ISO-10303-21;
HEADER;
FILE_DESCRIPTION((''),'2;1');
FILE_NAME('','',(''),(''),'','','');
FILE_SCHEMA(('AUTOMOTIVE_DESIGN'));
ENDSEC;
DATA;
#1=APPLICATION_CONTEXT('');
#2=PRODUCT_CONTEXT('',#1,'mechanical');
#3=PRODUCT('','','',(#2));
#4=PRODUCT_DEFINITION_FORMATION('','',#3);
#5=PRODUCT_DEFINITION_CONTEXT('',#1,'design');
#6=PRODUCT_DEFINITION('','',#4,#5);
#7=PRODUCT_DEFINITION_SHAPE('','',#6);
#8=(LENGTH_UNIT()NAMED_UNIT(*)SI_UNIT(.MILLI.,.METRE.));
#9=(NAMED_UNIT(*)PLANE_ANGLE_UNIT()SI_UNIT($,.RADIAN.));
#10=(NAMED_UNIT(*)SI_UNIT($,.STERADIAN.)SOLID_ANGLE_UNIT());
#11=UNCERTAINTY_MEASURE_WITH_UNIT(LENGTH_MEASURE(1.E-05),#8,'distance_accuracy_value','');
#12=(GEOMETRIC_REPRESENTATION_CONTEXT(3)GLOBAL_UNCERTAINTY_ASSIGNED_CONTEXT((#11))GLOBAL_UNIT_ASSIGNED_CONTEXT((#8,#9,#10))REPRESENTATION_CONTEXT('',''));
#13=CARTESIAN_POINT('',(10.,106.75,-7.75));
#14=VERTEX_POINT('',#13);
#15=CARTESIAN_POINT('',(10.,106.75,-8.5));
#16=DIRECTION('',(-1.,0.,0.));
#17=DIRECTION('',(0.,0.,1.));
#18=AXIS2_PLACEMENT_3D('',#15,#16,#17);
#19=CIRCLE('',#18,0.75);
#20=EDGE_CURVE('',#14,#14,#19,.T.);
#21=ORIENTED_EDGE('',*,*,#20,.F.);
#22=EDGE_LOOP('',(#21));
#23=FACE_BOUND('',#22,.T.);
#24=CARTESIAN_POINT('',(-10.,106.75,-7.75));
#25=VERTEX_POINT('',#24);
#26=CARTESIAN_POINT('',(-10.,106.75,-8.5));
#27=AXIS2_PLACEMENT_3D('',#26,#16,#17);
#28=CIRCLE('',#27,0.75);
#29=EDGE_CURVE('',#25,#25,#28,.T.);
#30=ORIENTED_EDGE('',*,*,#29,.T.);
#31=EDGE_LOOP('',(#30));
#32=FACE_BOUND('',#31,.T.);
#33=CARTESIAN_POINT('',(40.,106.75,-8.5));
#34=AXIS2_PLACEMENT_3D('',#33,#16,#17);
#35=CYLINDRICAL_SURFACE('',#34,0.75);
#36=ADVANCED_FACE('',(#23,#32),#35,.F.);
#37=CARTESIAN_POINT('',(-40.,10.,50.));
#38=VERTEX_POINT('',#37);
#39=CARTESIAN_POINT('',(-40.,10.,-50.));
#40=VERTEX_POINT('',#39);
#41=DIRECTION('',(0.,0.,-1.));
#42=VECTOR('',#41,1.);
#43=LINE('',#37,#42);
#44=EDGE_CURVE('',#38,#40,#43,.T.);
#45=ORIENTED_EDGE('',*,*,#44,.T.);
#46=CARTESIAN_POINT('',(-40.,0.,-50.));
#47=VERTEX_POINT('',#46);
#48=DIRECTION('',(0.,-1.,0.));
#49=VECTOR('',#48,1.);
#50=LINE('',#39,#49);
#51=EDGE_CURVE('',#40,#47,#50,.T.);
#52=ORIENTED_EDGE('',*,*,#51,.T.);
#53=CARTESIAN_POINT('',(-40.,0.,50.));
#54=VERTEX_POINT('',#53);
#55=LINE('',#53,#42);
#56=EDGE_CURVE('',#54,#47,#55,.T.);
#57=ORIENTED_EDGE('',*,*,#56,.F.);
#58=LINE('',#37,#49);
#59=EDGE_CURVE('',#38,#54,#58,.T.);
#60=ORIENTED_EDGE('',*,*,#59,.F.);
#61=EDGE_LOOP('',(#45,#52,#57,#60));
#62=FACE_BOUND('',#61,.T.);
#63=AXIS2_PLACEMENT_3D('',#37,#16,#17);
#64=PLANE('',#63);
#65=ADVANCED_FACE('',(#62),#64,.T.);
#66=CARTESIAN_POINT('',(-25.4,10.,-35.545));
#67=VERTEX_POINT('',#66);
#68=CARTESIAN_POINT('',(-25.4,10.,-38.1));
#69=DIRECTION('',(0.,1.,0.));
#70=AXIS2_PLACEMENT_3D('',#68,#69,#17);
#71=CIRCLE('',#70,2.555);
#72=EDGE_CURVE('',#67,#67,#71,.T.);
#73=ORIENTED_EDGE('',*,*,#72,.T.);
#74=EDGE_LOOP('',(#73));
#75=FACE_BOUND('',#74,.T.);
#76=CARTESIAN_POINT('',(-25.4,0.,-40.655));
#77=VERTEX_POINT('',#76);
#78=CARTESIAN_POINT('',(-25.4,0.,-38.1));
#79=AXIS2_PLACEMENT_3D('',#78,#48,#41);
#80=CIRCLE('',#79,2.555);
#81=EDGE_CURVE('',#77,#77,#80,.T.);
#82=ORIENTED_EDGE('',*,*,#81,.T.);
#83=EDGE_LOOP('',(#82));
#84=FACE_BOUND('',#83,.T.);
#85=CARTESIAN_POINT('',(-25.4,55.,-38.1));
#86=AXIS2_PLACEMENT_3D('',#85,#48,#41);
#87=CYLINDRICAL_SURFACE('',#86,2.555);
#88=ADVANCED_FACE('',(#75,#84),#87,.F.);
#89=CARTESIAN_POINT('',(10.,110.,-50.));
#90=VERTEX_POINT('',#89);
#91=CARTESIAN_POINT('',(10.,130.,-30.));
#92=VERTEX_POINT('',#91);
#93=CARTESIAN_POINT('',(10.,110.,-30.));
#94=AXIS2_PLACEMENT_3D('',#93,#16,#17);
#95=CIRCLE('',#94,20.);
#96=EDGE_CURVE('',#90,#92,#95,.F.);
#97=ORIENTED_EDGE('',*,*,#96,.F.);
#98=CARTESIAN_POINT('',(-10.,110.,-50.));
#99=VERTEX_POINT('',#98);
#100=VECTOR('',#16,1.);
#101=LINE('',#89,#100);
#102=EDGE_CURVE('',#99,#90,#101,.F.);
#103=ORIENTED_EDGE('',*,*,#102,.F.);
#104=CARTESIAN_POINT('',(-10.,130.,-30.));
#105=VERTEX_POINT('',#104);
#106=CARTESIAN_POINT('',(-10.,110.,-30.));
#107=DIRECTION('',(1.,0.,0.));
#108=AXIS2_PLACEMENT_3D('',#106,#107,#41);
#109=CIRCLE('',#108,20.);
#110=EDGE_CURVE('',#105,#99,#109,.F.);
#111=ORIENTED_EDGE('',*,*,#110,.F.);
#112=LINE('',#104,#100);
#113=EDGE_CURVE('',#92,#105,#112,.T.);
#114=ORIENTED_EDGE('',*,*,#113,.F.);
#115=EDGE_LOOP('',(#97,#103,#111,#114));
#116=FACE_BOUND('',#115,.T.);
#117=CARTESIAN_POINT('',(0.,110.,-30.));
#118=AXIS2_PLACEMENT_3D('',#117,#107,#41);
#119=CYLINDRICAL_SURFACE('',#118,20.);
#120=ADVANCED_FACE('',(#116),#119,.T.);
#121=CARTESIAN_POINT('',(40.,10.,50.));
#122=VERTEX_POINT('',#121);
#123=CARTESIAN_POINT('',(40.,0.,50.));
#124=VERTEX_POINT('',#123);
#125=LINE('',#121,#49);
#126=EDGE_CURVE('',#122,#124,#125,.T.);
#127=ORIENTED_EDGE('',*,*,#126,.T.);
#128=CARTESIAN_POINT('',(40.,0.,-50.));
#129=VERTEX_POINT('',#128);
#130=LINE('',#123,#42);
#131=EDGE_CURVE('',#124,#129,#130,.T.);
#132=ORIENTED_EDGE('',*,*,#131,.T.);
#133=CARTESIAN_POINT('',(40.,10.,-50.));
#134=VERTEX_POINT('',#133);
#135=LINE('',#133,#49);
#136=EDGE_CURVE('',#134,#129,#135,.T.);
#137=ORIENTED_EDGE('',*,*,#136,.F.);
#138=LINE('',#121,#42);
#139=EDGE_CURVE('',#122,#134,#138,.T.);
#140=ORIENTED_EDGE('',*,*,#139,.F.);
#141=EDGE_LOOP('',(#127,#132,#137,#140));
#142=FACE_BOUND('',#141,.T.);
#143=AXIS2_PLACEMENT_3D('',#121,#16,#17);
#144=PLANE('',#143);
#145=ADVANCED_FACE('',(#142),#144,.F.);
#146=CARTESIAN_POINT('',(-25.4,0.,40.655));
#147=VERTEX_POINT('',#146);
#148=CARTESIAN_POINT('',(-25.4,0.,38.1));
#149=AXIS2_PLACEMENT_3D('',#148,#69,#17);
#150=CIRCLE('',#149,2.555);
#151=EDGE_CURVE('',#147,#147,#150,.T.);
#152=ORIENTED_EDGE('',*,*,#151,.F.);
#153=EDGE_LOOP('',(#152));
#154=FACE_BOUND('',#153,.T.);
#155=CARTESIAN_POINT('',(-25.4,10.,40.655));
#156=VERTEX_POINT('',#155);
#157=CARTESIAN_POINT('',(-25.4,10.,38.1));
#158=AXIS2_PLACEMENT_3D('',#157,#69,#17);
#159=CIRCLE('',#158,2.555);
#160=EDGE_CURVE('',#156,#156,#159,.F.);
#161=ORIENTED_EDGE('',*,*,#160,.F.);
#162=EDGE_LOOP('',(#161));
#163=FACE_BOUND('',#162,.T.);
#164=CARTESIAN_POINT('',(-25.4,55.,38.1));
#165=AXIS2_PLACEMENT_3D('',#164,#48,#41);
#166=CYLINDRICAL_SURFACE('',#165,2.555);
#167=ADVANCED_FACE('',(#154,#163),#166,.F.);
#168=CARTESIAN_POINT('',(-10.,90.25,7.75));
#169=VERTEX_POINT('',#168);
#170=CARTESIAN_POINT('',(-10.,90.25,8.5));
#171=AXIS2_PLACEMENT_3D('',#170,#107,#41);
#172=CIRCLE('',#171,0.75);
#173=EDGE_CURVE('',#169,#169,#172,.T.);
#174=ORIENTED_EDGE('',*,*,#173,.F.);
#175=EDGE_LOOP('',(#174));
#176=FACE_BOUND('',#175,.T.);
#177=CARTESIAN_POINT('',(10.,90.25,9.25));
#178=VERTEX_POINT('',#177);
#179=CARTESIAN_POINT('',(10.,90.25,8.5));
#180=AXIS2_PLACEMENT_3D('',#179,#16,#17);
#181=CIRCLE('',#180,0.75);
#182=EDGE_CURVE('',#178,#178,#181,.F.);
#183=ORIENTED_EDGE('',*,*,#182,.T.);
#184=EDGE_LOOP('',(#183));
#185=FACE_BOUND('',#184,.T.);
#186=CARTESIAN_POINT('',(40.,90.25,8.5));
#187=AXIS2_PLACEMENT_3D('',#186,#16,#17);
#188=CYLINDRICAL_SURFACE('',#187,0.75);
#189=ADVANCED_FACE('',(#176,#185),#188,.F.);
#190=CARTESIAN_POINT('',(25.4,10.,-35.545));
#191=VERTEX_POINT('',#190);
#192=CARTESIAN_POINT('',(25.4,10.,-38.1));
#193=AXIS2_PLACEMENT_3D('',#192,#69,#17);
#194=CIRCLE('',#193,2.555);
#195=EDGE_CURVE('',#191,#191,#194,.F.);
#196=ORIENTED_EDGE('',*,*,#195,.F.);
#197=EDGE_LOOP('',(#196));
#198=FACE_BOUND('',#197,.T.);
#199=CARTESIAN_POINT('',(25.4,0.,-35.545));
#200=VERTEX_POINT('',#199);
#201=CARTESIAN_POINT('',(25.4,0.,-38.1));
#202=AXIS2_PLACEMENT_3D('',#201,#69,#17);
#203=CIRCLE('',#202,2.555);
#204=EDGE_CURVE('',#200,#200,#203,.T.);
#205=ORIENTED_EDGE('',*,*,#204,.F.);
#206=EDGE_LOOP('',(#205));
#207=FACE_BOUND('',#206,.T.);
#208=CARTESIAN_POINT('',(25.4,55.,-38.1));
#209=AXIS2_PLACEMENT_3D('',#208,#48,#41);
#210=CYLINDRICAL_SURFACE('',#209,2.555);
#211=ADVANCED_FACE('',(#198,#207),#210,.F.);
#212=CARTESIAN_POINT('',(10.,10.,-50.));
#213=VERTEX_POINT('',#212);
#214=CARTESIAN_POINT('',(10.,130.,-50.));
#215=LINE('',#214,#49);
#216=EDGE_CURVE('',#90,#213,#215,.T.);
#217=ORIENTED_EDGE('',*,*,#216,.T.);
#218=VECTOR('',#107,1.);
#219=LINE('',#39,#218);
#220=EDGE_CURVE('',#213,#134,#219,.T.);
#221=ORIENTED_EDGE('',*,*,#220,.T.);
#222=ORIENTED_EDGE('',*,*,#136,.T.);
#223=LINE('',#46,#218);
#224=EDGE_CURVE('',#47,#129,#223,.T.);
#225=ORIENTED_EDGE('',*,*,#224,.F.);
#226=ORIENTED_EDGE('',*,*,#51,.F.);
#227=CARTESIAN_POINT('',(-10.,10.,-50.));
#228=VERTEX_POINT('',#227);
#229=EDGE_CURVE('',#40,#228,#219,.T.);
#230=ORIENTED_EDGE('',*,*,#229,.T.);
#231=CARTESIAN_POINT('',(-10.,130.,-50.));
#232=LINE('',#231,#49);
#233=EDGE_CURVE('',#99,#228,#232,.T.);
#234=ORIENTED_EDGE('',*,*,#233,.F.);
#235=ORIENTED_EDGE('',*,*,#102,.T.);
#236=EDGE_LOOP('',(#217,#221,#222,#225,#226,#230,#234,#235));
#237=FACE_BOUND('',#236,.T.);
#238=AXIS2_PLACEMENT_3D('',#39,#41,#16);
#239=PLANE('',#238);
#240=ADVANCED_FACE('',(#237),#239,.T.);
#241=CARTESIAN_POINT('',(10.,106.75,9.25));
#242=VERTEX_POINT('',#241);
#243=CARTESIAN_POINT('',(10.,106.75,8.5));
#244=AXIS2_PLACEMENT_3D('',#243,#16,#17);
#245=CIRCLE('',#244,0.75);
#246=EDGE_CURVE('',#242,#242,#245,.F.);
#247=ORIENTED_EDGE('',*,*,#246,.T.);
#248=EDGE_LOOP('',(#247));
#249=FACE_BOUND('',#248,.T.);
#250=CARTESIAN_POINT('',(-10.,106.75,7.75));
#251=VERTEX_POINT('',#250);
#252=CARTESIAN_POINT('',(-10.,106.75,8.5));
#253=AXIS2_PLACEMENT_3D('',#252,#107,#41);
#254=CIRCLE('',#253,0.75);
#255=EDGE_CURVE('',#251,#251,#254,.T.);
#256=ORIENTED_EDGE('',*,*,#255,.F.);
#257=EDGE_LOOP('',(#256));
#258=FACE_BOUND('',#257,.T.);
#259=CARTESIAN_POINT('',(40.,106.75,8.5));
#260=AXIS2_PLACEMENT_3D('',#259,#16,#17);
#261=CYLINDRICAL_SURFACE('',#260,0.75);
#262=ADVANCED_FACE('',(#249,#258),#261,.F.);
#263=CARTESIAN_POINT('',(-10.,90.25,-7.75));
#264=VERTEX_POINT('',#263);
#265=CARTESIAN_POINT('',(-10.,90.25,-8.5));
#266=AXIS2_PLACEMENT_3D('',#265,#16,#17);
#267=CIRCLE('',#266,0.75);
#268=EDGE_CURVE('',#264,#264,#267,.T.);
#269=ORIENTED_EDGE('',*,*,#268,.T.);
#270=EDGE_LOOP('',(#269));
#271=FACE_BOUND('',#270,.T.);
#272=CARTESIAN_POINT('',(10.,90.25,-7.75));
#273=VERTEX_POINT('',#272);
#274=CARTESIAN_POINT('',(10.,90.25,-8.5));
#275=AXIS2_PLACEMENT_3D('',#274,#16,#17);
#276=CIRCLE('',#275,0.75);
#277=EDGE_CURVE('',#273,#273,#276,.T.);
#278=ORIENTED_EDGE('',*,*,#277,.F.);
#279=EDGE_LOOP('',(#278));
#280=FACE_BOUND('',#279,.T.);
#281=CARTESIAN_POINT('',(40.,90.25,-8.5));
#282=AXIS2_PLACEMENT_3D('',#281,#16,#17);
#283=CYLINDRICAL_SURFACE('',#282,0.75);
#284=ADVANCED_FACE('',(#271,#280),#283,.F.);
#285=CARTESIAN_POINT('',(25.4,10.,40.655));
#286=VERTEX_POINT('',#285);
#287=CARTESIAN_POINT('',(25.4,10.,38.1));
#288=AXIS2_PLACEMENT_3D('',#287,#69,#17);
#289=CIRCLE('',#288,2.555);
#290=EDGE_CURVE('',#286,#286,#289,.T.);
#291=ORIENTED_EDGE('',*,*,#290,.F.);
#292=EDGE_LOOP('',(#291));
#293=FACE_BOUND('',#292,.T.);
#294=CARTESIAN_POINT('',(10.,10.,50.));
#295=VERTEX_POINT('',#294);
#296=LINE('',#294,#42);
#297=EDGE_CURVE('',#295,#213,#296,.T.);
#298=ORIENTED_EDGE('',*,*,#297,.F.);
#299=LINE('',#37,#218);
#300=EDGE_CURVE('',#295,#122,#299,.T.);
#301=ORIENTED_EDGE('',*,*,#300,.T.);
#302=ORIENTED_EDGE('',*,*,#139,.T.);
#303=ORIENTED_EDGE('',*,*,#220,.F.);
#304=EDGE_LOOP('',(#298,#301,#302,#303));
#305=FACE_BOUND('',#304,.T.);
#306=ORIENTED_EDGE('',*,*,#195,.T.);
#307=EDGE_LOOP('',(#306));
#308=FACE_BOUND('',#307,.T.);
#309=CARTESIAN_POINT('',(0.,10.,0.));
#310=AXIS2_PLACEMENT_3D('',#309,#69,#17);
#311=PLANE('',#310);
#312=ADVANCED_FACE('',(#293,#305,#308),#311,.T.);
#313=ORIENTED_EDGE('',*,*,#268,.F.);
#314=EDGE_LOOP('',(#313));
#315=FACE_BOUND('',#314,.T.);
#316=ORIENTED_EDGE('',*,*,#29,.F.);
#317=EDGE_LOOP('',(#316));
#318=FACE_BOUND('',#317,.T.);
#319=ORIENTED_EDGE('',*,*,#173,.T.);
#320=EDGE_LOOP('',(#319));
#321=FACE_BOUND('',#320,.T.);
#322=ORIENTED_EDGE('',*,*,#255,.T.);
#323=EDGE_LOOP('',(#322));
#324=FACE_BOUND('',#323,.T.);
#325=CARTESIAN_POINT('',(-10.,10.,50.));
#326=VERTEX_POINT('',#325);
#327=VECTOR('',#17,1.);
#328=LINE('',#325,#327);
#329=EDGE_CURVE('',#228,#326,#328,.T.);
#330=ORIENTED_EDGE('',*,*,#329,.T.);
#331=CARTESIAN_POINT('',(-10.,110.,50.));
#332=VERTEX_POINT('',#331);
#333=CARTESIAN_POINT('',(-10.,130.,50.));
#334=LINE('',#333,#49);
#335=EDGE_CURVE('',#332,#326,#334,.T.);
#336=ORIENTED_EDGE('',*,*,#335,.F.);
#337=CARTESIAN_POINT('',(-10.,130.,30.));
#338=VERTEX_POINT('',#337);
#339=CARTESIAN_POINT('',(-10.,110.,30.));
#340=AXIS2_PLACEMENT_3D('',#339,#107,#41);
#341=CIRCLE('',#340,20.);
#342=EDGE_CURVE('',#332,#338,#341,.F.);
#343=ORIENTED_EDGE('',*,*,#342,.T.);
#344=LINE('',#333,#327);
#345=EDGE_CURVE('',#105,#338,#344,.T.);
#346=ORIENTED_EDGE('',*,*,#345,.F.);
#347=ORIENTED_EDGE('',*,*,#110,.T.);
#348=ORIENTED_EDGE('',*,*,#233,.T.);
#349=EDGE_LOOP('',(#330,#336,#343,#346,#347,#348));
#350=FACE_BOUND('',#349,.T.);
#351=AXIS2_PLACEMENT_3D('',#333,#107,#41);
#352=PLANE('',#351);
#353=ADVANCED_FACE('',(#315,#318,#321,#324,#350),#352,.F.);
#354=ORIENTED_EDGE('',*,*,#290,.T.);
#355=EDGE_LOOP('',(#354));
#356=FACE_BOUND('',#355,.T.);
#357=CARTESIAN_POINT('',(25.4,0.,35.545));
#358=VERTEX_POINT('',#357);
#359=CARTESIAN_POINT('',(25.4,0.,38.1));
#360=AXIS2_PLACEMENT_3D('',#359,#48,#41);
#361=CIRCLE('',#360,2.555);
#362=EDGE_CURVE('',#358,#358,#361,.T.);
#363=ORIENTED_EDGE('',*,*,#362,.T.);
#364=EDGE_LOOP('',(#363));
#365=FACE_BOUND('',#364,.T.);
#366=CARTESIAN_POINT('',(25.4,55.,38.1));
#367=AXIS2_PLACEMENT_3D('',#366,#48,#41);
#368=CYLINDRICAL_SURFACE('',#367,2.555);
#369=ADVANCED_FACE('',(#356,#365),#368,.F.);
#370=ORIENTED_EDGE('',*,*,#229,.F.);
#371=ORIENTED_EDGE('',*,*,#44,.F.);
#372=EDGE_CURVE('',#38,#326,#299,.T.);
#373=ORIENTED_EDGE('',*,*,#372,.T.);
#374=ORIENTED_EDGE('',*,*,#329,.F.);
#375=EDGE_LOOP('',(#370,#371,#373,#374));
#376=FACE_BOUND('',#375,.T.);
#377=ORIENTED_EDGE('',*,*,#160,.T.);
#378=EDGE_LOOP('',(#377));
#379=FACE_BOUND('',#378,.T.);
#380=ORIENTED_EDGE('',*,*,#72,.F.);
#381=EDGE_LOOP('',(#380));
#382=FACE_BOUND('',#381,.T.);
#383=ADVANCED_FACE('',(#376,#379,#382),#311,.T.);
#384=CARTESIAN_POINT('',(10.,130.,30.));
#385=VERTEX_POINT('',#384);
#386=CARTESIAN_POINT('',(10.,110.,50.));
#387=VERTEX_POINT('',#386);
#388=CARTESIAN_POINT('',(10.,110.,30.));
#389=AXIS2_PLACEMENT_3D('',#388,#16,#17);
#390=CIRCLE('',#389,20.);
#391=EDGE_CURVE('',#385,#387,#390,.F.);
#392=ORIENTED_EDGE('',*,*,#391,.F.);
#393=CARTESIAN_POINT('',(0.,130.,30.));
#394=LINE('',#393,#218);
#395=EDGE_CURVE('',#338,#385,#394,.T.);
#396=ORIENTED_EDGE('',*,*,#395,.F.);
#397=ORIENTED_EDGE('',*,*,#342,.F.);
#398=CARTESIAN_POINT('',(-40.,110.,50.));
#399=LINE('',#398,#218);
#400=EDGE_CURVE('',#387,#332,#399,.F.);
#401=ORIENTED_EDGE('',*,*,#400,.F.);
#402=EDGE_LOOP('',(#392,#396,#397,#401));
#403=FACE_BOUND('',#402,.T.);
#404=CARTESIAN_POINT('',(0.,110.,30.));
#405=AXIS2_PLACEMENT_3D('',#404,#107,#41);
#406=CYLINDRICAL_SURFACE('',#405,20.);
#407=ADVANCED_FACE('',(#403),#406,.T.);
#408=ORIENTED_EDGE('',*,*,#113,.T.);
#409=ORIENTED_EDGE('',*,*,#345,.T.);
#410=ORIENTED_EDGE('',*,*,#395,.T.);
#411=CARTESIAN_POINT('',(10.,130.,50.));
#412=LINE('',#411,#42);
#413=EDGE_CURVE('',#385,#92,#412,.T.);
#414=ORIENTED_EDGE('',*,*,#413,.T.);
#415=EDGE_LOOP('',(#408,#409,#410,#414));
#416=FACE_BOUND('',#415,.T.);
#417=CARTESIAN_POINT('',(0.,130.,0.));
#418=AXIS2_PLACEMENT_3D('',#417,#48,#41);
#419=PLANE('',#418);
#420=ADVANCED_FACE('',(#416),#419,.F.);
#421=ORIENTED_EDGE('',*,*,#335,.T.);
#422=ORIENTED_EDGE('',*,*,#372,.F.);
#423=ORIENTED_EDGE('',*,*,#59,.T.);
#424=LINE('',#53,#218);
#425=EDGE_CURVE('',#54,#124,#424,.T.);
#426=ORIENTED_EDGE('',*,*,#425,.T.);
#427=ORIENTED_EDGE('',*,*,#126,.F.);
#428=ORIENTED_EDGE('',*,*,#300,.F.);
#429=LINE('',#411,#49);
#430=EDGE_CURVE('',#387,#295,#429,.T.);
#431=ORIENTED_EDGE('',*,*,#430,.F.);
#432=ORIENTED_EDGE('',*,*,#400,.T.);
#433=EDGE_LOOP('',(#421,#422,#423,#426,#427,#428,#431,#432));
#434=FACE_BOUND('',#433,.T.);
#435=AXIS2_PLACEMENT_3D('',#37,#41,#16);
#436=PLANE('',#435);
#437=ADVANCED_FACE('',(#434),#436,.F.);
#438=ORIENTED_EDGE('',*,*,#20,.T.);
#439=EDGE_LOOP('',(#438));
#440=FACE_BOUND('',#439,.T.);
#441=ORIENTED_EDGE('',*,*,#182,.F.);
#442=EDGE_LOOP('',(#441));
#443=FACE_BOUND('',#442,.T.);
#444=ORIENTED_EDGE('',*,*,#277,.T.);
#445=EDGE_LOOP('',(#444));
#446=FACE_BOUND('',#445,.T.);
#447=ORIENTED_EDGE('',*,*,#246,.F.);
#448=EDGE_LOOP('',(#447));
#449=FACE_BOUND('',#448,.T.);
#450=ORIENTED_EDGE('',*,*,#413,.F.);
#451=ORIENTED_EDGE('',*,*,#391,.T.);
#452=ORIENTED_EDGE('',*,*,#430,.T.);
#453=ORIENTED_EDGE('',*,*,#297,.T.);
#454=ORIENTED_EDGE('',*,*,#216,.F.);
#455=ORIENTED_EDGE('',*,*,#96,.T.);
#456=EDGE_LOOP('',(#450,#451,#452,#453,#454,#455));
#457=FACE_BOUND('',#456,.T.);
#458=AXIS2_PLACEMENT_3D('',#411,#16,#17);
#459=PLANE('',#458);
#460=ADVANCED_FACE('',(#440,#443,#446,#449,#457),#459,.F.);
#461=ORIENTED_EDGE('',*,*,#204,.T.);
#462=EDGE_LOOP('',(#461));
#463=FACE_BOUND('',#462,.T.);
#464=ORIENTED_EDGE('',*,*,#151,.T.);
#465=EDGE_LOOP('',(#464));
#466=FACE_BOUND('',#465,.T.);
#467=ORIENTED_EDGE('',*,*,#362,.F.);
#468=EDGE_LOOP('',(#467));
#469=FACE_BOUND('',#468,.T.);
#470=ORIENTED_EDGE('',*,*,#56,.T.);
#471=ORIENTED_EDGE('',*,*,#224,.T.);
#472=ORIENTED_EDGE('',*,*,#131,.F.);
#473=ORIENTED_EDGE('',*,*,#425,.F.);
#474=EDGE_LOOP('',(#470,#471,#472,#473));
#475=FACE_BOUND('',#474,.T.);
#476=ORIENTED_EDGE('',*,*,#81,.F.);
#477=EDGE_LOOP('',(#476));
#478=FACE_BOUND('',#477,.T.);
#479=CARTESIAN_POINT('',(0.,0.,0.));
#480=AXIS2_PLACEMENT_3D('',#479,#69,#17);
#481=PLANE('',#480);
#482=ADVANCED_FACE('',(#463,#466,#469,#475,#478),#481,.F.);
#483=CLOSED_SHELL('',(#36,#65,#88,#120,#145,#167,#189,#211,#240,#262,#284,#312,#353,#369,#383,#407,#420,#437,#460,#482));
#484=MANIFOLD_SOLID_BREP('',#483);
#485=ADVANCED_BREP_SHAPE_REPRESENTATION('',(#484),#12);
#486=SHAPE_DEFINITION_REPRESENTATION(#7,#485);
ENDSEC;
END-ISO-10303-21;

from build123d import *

# Parameters (mm, degrees)
SKETCH2_W           = 80
SKETCH2_H           = 100
BOSS_EXTRUDE1_DEPTH = 10
SKETCH3_W           = 20
SKETCH3_H           = 100
BOSS_EXTRUDE2_DEPTH = 120
SKETCH5_R           = 2.555
CUT_EXTRUDE2_DEPTH  = 55
FILLET2_R           = 20
SKETCH4_R           = 0.75
CUT_EXTRUDE3_DEPTH  = 51


with BuildPart() as part:
    # Sketch2 → Boss-Extrude1 (new body)
    with BuildSketch(Plane(origin=(0, 0, 0), x_dir=(1, 0, 0), z_dir=(0, 1, 0))):
        Rectangle(SKETCH2_W, SKETCH2_H)
    extrude(amount=BOSS_EXTRUDE1_DEPTH)

    # Sketch3 → Boss-Extrude2 (add)
    with BuildSketch(Plane(origin=(0, 10, 0), x_dir=(1, 0, 0), z_dir=(0, 1, 0))):
        Rectangle(SKETCH3_W, SKETCH3_H)
    extrude(amount=BOSS_EXTRUDE2_DEPTH)

    # Sketch5 → Cut-Extrude2 (cut)
    with BuildSketch(Plane.XZ):
        with Locations((-25.4, -38.1)):
            Circle(SKETCH5_R)
        with Locations((25.4, -38.1)):
            Circle(SKETCH5_R)
        with Locations((-25.4, 38.1)):
            Circle(SKETCH5_R)
        with Locations((25.4, 38.1)):
            Circle(SKETCH5_R)
    extrude(amount=-CUT_EXTRUDE2_DEPTH, mode=Mode.SUBTRACT)

    # Fillet2
    fillet2_edges = [part.edges().sort_by_distance(p)[0] for p in [
        (0, 130, -50),
        (0, 130, 50),
    ]]
    fillet(fillet2_edges, radius=FILLET2_R)

    # Sketch4 → Cut-Extrude3 (cut, through all)
    with BuildSketch(Plane.ZY.offset(10)):
        with Locations((-8.5, 106.75)):
            Circle(SKETCH4_R)
        with Locations((-8.5, 90.25)):
            Circle(SKETCH4_R)
        with Locations((8.5, 90.25)):
            Circle(SKETCH4_R)
        with Locations((8.5, 106.75)):
            Circle(SKETCH4_R)
    extrude(amount=-CUT_EXTRUDE3_DEPTH, mode=Mode.SUBTRACT)


solid = part.part
